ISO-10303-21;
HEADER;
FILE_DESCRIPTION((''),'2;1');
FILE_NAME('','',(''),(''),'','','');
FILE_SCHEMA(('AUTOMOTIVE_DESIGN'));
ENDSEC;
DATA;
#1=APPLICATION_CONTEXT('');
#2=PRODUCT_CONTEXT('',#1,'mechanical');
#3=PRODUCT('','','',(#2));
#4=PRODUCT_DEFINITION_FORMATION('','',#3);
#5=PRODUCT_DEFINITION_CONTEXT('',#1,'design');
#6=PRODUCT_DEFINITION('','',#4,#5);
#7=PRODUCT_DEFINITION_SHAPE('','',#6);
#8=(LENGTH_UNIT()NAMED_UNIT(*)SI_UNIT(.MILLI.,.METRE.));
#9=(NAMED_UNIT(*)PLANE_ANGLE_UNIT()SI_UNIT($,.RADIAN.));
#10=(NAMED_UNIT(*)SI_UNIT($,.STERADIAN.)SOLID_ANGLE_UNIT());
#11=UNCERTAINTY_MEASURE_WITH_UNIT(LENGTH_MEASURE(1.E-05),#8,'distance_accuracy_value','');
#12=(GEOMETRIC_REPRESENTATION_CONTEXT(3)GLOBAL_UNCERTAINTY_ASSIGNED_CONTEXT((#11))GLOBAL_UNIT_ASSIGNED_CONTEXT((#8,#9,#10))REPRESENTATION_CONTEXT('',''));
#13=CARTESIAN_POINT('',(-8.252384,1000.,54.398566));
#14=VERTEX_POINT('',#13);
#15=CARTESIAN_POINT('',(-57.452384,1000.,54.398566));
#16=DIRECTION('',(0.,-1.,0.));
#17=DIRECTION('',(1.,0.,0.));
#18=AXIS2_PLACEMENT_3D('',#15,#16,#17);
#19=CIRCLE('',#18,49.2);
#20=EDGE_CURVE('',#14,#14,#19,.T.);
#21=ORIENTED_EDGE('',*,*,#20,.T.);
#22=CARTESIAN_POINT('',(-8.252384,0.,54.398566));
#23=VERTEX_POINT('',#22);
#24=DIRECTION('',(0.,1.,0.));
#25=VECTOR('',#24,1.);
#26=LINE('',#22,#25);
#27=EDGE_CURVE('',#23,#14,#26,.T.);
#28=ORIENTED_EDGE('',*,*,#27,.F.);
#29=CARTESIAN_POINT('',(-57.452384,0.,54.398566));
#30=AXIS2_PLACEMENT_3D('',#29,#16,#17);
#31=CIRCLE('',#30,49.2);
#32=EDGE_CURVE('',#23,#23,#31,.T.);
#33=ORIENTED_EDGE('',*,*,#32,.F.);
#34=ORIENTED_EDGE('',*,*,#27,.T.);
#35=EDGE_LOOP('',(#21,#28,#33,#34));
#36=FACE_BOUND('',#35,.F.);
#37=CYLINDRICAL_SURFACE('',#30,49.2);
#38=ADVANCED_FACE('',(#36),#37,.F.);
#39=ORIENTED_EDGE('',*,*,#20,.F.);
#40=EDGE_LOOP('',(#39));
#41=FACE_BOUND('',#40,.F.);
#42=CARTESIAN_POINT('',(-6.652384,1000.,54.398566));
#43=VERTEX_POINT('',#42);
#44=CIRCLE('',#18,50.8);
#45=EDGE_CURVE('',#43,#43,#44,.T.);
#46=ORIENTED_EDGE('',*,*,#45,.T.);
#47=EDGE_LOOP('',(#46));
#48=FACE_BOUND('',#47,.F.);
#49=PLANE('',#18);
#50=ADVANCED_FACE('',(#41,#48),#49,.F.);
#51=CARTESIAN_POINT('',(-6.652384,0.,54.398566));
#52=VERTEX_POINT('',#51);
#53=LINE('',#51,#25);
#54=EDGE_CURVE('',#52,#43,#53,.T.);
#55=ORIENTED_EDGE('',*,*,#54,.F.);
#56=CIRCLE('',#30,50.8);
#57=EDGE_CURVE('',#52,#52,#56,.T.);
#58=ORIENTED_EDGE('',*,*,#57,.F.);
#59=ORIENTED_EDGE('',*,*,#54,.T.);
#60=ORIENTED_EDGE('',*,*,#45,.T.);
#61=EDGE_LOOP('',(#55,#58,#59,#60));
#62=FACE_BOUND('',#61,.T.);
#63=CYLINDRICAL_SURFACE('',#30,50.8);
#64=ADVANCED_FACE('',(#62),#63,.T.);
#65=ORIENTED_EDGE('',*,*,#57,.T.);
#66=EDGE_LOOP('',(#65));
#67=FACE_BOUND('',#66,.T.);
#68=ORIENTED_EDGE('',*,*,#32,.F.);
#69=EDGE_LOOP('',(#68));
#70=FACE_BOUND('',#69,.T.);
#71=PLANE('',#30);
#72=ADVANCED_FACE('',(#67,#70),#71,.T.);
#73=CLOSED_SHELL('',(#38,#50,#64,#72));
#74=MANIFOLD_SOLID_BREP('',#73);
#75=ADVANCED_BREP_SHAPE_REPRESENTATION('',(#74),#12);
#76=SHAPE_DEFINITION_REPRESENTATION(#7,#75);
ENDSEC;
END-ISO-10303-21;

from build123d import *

# Parameters (mm, degrees)
F0_R     = 50.8
F0_R_2   = 49.2
F1_DEPTH = 1000


with BuildPart() as f1:
    # F0 (on Front) → F1 (new body)
    with BuildSketch(Plane.XZ):
        with Locations((-57.452384, 54.398566)):
            Circle(F0_R)
        with Locations((-57.452384, 54.398566)):
            Circle(F0_R_2, mode=Mode.SUBTRACT)
    extrude(amount=-F1_DEPTH)


solid = f1.part
